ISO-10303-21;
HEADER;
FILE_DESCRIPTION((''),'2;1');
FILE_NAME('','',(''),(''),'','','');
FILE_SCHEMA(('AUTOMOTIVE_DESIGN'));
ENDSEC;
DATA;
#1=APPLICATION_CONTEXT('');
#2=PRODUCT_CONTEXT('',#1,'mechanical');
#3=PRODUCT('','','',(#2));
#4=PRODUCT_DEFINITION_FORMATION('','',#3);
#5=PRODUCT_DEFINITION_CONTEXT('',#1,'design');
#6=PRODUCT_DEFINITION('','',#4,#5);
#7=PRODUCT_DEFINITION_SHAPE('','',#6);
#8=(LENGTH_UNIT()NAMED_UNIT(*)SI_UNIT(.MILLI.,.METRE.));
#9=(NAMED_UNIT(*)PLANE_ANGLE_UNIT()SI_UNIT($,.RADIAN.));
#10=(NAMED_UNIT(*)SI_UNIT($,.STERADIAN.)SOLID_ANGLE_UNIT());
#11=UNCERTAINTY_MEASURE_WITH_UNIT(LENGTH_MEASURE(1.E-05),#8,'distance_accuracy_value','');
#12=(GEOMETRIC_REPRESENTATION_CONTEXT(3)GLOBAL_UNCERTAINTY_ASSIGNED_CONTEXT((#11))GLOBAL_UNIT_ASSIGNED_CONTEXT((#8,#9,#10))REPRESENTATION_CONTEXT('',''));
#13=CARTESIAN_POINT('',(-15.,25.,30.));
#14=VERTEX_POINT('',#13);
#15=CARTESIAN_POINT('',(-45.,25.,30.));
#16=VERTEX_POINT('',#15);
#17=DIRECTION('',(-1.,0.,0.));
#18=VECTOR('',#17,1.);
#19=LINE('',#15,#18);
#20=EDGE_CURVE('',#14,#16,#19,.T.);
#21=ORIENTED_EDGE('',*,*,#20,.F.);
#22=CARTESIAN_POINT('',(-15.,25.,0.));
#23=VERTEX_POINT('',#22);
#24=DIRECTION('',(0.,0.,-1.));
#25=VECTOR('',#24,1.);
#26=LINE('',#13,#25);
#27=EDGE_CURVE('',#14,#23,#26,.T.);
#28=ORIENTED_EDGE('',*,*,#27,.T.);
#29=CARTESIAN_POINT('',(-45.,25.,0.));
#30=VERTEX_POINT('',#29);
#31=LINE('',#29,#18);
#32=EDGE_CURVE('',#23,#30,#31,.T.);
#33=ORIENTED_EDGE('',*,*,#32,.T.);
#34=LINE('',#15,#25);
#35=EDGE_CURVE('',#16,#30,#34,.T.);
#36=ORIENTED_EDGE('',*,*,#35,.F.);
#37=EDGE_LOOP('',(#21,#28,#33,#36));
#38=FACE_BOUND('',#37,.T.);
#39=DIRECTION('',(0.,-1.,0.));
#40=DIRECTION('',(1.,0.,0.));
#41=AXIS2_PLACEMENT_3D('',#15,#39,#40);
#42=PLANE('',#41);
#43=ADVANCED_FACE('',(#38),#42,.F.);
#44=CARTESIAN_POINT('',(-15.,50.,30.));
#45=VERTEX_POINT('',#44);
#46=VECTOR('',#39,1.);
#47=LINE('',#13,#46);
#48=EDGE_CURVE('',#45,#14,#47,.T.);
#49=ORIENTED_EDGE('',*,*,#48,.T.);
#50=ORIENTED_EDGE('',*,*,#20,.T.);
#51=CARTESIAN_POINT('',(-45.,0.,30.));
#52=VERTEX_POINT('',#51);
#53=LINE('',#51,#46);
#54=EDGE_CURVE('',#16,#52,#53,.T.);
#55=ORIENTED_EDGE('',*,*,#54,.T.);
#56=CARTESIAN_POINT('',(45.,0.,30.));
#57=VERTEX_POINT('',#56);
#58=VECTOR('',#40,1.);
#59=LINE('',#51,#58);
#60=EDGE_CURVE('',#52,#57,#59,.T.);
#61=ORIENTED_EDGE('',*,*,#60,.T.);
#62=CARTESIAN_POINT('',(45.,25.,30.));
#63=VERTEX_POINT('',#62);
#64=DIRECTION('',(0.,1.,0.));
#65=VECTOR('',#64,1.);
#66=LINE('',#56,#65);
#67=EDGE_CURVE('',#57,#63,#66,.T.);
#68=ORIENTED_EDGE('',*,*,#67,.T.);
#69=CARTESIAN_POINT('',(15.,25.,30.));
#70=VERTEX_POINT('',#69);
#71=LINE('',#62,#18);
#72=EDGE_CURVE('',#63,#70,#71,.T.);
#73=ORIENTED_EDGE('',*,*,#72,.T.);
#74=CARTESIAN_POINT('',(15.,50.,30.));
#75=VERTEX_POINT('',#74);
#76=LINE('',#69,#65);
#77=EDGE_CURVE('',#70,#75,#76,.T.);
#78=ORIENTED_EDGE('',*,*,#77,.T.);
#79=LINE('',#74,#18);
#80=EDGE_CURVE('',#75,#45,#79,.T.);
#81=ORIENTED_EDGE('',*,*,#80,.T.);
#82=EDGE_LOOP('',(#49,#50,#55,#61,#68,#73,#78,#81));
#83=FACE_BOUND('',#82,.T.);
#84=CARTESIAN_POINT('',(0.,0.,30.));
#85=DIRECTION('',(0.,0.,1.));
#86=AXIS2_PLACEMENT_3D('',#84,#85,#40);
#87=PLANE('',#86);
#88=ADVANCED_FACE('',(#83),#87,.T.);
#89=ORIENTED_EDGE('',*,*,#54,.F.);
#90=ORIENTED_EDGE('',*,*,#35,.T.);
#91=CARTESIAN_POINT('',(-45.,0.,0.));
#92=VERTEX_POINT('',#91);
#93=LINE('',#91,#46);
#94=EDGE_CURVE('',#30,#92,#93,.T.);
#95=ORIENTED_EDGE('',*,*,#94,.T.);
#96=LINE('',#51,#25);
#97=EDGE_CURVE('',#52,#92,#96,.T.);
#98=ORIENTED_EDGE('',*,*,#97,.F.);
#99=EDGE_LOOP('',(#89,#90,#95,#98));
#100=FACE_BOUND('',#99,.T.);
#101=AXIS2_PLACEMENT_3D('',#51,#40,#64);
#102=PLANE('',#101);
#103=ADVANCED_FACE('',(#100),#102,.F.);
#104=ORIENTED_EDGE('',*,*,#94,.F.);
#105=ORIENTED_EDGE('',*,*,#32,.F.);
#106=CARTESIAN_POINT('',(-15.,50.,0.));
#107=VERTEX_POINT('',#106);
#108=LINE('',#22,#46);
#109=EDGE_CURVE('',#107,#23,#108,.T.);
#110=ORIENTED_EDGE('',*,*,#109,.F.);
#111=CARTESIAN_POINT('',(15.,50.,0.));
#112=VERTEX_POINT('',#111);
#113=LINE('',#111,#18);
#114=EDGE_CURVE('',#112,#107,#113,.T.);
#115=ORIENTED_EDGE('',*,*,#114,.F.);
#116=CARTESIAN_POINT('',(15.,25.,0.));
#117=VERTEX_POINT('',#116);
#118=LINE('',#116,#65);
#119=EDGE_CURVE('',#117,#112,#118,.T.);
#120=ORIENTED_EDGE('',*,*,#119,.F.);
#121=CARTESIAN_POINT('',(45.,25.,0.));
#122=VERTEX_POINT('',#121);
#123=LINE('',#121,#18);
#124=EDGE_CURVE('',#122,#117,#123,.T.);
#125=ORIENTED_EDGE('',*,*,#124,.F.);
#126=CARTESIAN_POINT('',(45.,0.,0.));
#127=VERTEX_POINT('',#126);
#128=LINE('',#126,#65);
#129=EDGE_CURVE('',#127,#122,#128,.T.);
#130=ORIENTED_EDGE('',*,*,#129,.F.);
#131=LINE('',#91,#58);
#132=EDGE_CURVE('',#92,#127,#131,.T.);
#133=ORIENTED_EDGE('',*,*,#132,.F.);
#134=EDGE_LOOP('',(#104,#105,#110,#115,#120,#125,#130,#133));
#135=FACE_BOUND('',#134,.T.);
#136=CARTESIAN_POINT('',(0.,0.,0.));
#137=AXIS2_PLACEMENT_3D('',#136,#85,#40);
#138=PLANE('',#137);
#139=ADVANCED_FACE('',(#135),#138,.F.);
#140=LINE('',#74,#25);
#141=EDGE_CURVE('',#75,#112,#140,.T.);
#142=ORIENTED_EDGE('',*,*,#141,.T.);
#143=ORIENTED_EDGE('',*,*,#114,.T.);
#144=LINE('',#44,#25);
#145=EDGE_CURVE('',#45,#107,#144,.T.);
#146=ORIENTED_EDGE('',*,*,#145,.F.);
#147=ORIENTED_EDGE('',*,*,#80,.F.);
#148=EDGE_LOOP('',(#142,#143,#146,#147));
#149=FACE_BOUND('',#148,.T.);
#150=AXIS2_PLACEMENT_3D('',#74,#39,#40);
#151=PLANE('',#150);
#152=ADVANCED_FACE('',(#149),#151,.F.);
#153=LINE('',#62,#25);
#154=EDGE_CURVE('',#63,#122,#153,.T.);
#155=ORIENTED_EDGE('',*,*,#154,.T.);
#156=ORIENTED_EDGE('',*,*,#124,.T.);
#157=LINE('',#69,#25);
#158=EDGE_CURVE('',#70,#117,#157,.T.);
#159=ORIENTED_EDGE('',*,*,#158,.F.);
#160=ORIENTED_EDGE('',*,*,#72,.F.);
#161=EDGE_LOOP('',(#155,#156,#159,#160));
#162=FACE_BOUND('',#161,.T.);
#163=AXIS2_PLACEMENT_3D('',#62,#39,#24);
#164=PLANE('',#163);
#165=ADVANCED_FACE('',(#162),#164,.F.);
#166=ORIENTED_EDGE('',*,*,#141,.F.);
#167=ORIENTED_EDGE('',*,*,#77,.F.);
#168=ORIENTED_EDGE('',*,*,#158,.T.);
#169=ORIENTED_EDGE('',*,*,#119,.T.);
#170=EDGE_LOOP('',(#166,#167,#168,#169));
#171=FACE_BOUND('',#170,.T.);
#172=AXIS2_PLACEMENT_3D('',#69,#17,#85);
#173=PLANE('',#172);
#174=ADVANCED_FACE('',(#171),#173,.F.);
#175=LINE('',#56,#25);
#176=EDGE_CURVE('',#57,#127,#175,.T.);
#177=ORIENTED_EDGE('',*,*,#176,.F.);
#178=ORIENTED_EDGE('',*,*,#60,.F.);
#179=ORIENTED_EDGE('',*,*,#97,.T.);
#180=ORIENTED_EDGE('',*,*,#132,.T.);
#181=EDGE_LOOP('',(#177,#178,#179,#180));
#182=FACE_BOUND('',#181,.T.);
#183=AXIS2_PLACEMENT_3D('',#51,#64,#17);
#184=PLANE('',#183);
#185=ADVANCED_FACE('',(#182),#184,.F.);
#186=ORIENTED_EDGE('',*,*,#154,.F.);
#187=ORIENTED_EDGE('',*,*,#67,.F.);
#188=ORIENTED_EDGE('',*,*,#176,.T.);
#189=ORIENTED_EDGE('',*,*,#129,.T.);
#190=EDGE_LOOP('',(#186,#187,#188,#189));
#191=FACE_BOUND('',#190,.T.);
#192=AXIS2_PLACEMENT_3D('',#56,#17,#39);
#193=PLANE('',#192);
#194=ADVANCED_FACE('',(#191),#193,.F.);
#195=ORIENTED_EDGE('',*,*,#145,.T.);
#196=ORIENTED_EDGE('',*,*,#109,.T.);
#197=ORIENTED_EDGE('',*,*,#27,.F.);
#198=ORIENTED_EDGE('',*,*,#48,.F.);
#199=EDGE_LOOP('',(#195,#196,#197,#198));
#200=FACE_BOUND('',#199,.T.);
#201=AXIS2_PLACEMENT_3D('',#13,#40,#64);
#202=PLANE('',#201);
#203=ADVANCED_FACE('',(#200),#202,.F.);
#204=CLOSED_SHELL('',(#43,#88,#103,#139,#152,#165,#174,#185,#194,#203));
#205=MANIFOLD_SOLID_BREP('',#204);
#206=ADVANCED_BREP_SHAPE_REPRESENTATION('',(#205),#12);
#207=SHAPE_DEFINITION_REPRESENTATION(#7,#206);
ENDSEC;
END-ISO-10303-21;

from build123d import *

# Parameters (mm, degrees)
BOSS_EXTRUDE1_DEPTH = 30


with BuildPart() as part:
    # Sketch1 → Boss-Extrude1 (new body)
    with BuildSketch(Plane.XY):
        Polygon((-45, 0), (45, 0), (45, 25), (15, 25), (15, 50), (-15, 50), (-15, 25), (-45, 25), align=None)
    extrude(amount=BOSS_EXTRUDE1_DEPTH)


solid = part.part
